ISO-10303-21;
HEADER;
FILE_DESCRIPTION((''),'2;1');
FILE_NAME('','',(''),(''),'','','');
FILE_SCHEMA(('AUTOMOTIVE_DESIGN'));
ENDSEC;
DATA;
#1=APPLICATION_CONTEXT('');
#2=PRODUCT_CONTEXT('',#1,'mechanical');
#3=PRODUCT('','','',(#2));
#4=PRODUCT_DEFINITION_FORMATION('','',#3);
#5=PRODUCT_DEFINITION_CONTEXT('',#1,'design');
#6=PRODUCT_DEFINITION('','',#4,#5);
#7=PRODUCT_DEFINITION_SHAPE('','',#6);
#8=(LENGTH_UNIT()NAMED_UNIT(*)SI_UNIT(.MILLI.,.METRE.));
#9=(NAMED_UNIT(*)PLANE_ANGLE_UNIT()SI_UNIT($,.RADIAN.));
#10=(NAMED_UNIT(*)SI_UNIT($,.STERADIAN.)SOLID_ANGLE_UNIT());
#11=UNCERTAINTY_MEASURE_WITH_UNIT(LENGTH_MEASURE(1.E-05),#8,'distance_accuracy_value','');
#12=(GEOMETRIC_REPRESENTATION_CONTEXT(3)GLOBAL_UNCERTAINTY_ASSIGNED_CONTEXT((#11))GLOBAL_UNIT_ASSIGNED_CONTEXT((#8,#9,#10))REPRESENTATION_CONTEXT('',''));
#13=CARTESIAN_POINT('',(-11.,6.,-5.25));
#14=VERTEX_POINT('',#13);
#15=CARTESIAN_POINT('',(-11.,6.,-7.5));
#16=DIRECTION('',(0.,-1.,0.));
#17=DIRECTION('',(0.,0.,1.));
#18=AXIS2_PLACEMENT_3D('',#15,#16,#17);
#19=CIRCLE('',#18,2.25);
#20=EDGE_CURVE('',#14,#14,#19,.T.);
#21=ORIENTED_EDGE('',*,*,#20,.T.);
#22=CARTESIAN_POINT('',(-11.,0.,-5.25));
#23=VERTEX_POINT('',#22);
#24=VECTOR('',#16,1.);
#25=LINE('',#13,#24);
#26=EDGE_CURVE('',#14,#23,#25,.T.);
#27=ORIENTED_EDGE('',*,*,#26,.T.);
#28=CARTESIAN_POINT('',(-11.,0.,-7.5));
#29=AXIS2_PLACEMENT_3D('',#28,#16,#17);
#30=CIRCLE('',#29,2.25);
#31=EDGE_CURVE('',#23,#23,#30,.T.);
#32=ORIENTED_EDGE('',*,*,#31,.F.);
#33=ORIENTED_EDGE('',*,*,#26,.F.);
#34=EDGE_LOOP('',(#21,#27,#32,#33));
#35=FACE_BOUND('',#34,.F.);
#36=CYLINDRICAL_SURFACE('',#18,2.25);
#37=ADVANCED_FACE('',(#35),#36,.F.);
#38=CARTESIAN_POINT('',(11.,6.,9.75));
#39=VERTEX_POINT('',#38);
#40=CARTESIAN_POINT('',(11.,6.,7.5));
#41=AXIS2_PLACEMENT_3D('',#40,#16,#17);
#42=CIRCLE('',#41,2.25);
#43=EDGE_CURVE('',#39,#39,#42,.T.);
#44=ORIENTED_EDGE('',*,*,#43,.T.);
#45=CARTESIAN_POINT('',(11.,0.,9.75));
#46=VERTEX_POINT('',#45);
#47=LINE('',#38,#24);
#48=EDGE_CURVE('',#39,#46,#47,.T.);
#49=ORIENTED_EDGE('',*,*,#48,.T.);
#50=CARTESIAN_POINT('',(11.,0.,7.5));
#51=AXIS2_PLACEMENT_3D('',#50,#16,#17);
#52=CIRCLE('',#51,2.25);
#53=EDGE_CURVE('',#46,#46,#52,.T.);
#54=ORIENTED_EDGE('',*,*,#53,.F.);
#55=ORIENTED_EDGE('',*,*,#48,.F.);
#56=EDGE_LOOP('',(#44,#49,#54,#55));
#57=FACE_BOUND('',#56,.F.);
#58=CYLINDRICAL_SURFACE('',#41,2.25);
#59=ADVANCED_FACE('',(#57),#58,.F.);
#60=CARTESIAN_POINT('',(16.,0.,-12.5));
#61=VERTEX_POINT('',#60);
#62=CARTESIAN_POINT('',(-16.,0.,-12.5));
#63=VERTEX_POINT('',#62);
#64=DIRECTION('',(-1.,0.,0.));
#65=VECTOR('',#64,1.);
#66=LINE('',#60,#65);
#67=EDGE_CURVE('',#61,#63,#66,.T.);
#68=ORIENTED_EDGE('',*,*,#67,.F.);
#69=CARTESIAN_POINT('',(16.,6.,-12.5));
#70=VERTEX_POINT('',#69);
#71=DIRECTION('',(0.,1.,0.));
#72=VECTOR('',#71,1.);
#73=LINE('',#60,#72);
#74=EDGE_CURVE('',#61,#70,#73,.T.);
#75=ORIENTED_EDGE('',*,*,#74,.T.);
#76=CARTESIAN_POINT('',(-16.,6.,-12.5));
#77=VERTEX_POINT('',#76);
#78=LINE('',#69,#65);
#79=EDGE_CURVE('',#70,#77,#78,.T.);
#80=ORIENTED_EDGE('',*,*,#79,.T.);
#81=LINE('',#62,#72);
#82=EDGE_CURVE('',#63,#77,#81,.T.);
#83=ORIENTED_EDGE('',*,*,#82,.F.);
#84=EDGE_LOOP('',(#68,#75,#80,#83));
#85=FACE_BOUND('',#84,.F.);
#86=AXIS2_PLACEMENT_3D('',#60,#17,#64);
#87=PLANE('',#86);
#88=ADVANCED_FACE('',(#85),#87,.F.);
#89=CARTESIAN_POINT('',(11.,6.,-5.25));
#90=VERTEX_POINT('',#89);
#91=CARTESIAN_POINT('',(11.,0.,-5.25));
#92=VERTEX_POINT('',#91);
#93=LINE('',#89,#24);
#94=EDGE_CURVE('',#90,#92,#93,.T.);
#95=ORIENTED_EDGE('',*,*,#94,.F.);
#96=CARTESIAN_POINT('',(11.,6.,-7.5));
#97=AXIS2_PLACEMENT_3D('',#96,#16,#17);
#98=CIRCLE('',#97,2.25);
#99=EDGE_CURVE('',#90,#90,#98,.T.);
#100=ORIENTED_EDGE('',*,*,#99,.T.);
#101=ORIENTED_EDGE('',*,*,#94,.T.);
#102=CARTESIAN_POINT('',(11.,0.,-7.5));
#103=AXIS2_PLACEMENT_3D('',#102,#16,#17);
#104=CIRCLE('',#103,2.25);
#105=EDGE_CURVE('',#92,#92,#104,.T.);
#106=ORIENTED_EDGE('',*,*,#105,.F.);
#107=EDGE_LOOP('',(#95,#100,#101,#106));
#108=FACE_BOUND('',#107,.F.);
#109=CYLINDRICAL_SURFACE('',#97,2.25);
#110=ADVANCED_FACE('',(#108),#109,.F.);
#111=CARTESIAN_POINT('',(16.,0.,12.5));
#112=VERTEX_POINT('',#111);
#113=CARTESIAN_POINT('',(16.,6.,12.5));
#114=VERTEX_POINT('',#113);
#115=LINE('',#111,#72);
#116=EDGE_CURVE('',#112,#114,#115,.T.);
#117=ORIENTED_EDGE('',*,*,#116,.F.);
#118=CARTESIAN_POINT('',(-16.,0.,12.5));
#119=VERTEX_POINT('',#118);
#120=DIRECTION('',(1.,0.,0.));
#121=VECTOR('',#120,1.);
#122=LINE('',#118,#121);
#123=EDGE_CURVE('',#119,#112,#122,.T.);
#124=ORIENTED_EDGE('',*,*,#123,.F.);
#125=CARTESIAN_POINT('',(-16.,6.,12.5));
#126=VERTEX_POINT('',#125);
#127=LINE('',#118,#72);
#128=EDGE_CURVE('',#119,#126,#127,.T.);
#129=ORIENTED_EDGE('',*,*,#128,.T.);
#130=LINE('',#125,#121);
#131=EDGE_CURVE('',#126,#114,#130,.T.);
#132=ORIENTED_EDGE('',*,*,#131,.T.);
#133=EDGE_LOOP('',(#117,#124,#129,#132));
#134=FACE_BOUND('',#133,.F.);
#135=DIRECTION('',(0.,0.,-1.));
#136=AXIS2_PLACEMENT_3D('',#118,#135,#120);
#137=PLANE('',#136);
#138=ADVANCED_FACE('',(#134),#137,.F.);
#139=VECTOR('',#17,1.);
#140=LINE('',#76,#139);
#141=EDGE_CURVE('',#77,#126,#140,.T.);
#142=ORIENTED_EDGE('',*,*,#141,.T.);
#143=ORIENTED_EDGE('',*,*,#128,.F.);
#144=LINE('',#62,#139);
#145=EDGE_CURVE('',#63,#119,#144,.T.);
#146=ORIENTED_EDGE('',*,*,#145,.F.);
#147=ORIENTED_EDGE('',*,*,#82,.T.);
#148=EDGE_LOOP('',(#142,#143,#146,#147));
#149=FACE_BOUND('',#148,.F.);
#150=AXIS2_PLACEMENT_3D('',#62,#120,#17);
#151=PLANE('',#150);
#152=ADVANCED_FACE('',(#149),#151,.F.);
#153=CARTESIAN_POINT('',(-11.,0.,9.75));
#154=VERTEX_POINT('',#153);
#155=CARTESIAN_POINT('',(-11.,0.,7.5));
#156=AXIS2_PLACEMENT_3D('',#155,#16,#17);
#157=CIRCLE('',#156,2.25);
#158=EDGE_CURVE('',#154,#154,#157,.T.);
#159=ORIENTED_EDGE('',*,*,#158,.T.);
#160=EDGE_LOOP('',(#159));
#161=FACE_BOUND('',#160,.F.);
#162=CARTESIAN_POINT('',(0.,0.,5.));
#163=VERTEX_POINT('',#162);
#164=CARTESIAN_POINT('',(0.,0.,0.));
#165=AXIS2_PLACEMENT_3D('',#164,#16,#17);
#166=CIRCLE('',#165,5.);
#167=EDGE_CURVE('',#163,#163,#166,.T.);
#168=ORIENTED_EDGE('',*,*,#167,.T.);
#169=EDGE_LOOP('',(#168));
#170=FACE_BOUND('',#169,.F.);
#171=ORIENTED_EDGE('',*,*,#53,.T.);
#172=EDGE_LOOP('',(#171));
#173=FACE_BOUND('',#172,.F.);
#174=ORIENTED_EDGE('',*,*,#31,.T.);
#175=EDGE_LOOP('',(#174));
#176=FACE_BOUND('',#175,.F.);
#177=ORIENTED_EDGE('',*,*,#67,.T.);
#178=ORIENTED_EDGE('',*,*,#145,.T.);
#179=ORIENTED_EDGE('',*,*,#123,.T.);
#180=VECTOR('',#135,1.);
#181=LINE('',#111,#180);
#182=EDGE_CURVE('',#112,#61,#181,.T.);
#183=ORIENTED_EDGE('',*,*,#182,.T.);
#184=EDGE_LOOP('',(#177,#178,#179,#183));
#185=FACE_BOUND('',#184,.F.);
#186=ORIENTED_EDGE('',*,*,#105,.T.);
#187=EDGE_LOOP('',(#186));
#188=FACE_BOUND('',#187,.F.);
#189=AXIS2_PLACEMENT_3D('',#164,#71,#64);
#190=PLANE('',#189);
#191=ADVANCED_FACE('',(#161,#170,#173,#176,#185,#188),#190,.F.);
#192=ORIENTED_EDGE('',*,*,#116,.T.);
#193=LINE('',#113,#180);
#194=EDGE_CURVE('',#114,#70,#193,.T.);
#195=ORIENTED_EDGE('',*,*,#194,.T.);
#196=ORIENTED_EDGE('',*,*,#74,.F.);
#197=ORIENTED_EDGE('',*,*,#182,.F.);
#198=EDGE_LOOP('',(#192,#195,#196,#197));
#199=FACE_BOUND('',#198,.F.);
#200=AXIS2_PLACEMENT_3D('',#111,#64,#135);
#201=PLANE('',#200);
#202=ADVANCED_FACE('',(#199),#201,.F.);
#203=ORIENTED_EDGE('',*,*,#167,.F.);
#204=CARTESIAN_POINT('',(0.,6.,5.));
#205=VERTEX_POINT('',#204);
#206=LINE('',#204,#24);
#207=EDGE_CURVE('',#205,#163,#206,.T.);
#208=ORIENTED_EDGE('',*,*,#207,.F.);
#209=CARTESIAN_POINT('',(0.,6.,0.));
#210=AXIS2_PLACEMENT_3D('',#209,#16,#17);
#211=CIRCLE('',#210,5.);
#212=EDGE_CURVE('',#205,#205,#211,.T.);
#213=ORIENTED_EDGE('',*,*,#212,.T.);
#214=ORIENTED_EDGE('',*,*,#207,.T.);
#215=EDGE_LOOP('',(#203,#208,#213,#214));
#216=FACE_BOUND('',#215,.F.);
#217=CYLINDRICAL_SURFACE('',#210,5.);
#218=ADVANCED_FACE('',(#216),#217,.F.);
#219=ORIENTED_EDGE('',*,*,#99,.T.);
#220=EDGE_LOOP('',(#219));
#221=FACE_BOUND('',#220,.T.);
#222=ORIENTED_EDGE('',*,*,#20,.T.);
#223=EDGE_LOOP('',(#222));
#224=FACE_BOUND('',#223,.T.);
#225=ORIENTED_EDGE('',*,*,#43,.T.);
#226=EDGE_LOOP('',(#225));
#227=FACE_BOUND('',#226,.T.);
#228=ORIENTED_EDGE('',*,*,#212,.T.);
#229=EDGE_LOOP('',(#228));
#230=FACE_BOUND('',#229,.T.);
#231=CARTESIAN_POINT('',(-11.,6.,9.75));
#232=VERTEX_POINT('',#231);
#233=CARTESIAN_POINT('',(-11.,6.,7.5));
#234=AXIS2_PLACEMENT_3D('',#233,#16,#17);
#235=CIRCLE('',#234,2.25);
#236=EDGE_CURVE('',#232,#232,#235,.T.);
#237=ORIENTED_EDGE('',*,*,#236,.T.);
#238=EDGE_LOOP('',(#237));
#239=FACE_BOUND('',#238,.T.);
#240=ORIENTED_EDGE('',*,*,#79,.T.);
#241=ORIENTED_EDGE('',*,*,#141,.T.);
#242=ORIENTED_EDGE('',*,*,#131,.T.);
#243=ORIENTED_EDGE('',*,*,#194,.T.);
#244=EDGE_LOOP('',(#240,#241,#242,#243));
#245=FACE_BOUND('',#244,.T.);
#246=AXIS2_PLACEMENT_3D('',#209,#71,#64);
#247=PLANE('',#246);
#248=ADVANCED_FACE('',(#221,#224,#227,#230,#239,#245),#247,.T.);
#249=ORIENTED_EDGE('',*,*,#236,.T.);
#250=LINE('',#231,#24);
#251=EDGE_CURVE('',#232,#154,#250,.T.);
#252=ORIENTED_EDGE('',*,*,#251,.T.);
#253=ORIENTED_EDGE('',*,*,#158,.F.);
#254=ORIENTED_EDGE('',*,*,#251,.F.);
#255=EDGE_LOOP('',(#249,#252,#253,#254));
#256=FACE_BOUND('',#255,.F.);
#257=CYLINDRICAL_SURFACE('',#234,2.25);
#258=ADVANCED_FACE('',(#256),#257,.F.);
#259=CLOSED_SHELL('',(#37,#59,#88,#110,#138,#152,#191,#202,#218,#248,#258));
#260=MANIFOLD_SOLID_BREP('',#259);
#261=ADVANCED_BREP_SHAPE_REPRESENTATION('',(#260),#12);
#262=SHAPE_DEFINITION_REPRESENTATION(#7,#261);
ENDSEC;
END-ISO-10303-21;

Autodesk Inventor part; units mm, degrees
ref_plane "YZ Plane" through (0, 0, 0) normal (1, 0, 0) x (0, 1, 0)
ref_plane "XZ Plane" through (0, 0, 0) normal (0, 1, 0) x (-1, 0, 0)
ref_plane "XY Plane" through (0, 0, 0) normal (0, 0, 1) x (1, 0, 0)
sketch "Sketch1" plane through (0, 0, 0) normal (0, 1, 0) x (-1, 0, 0)
  line L0 (-16, 12.5) -> (-16, -12.5)
  line L1 (16, 12.5) -> (-16, 12.5)
  line L2 (16, -12.5) -> (16, 12.5)
  line L3 (-16, -12.5) -> (16, -12.5)
extrude "Extrusion1" add sketch "Sketch1" along normal blind 6
hole "Hole5" at (0, 6, 0) direction (0, -1, 0) diameter 10 depth 6
hole "Hole4" at (-11, 6, -7.5) direction (0, -1, 0) diameter 4.5 depth 6
sketch "Sketch4" plane through (0, 6, 0) normal (0, 1, 0) x (1, 0, 0)
  point P0 (11, -7.5)
hole "Hole3" at (11, 6, 7.5) direction (0, -1, 0) diameter 4.5 depth 6
sketch "Sketch3" plane through (0, 6, 0) normal (0, 1, 0) x (1, 0, 0)
  point P0 (-11, 7.5)
hole "Hole2" at (11, 6, -7.5) direction (0, -1, 0) diameter 4.5 depth 6
sketch "Sketch2" plane through (0, 6, 0) normal (0, 1, 0) x (1, 0, 0)
  point P0 (0, 0)
hole "Hole1" at (-11, 6, 7.5) direction (0, -1, 0) diameter 4.5 depth 6
sketch "Sketch5" plane through (0, 6, 0) normal (0, 1, 0) x (1, 0, 0)
  point P0 (11, 7.5)
sketch "Sketch6" plane through (0, 6, 0) normal (0, 1, 0) x (1, 0, 0)
  point P0 (-11, -7.5)
properties part number "Hopper Nut Trap Holder" material "ASA Plastic"
